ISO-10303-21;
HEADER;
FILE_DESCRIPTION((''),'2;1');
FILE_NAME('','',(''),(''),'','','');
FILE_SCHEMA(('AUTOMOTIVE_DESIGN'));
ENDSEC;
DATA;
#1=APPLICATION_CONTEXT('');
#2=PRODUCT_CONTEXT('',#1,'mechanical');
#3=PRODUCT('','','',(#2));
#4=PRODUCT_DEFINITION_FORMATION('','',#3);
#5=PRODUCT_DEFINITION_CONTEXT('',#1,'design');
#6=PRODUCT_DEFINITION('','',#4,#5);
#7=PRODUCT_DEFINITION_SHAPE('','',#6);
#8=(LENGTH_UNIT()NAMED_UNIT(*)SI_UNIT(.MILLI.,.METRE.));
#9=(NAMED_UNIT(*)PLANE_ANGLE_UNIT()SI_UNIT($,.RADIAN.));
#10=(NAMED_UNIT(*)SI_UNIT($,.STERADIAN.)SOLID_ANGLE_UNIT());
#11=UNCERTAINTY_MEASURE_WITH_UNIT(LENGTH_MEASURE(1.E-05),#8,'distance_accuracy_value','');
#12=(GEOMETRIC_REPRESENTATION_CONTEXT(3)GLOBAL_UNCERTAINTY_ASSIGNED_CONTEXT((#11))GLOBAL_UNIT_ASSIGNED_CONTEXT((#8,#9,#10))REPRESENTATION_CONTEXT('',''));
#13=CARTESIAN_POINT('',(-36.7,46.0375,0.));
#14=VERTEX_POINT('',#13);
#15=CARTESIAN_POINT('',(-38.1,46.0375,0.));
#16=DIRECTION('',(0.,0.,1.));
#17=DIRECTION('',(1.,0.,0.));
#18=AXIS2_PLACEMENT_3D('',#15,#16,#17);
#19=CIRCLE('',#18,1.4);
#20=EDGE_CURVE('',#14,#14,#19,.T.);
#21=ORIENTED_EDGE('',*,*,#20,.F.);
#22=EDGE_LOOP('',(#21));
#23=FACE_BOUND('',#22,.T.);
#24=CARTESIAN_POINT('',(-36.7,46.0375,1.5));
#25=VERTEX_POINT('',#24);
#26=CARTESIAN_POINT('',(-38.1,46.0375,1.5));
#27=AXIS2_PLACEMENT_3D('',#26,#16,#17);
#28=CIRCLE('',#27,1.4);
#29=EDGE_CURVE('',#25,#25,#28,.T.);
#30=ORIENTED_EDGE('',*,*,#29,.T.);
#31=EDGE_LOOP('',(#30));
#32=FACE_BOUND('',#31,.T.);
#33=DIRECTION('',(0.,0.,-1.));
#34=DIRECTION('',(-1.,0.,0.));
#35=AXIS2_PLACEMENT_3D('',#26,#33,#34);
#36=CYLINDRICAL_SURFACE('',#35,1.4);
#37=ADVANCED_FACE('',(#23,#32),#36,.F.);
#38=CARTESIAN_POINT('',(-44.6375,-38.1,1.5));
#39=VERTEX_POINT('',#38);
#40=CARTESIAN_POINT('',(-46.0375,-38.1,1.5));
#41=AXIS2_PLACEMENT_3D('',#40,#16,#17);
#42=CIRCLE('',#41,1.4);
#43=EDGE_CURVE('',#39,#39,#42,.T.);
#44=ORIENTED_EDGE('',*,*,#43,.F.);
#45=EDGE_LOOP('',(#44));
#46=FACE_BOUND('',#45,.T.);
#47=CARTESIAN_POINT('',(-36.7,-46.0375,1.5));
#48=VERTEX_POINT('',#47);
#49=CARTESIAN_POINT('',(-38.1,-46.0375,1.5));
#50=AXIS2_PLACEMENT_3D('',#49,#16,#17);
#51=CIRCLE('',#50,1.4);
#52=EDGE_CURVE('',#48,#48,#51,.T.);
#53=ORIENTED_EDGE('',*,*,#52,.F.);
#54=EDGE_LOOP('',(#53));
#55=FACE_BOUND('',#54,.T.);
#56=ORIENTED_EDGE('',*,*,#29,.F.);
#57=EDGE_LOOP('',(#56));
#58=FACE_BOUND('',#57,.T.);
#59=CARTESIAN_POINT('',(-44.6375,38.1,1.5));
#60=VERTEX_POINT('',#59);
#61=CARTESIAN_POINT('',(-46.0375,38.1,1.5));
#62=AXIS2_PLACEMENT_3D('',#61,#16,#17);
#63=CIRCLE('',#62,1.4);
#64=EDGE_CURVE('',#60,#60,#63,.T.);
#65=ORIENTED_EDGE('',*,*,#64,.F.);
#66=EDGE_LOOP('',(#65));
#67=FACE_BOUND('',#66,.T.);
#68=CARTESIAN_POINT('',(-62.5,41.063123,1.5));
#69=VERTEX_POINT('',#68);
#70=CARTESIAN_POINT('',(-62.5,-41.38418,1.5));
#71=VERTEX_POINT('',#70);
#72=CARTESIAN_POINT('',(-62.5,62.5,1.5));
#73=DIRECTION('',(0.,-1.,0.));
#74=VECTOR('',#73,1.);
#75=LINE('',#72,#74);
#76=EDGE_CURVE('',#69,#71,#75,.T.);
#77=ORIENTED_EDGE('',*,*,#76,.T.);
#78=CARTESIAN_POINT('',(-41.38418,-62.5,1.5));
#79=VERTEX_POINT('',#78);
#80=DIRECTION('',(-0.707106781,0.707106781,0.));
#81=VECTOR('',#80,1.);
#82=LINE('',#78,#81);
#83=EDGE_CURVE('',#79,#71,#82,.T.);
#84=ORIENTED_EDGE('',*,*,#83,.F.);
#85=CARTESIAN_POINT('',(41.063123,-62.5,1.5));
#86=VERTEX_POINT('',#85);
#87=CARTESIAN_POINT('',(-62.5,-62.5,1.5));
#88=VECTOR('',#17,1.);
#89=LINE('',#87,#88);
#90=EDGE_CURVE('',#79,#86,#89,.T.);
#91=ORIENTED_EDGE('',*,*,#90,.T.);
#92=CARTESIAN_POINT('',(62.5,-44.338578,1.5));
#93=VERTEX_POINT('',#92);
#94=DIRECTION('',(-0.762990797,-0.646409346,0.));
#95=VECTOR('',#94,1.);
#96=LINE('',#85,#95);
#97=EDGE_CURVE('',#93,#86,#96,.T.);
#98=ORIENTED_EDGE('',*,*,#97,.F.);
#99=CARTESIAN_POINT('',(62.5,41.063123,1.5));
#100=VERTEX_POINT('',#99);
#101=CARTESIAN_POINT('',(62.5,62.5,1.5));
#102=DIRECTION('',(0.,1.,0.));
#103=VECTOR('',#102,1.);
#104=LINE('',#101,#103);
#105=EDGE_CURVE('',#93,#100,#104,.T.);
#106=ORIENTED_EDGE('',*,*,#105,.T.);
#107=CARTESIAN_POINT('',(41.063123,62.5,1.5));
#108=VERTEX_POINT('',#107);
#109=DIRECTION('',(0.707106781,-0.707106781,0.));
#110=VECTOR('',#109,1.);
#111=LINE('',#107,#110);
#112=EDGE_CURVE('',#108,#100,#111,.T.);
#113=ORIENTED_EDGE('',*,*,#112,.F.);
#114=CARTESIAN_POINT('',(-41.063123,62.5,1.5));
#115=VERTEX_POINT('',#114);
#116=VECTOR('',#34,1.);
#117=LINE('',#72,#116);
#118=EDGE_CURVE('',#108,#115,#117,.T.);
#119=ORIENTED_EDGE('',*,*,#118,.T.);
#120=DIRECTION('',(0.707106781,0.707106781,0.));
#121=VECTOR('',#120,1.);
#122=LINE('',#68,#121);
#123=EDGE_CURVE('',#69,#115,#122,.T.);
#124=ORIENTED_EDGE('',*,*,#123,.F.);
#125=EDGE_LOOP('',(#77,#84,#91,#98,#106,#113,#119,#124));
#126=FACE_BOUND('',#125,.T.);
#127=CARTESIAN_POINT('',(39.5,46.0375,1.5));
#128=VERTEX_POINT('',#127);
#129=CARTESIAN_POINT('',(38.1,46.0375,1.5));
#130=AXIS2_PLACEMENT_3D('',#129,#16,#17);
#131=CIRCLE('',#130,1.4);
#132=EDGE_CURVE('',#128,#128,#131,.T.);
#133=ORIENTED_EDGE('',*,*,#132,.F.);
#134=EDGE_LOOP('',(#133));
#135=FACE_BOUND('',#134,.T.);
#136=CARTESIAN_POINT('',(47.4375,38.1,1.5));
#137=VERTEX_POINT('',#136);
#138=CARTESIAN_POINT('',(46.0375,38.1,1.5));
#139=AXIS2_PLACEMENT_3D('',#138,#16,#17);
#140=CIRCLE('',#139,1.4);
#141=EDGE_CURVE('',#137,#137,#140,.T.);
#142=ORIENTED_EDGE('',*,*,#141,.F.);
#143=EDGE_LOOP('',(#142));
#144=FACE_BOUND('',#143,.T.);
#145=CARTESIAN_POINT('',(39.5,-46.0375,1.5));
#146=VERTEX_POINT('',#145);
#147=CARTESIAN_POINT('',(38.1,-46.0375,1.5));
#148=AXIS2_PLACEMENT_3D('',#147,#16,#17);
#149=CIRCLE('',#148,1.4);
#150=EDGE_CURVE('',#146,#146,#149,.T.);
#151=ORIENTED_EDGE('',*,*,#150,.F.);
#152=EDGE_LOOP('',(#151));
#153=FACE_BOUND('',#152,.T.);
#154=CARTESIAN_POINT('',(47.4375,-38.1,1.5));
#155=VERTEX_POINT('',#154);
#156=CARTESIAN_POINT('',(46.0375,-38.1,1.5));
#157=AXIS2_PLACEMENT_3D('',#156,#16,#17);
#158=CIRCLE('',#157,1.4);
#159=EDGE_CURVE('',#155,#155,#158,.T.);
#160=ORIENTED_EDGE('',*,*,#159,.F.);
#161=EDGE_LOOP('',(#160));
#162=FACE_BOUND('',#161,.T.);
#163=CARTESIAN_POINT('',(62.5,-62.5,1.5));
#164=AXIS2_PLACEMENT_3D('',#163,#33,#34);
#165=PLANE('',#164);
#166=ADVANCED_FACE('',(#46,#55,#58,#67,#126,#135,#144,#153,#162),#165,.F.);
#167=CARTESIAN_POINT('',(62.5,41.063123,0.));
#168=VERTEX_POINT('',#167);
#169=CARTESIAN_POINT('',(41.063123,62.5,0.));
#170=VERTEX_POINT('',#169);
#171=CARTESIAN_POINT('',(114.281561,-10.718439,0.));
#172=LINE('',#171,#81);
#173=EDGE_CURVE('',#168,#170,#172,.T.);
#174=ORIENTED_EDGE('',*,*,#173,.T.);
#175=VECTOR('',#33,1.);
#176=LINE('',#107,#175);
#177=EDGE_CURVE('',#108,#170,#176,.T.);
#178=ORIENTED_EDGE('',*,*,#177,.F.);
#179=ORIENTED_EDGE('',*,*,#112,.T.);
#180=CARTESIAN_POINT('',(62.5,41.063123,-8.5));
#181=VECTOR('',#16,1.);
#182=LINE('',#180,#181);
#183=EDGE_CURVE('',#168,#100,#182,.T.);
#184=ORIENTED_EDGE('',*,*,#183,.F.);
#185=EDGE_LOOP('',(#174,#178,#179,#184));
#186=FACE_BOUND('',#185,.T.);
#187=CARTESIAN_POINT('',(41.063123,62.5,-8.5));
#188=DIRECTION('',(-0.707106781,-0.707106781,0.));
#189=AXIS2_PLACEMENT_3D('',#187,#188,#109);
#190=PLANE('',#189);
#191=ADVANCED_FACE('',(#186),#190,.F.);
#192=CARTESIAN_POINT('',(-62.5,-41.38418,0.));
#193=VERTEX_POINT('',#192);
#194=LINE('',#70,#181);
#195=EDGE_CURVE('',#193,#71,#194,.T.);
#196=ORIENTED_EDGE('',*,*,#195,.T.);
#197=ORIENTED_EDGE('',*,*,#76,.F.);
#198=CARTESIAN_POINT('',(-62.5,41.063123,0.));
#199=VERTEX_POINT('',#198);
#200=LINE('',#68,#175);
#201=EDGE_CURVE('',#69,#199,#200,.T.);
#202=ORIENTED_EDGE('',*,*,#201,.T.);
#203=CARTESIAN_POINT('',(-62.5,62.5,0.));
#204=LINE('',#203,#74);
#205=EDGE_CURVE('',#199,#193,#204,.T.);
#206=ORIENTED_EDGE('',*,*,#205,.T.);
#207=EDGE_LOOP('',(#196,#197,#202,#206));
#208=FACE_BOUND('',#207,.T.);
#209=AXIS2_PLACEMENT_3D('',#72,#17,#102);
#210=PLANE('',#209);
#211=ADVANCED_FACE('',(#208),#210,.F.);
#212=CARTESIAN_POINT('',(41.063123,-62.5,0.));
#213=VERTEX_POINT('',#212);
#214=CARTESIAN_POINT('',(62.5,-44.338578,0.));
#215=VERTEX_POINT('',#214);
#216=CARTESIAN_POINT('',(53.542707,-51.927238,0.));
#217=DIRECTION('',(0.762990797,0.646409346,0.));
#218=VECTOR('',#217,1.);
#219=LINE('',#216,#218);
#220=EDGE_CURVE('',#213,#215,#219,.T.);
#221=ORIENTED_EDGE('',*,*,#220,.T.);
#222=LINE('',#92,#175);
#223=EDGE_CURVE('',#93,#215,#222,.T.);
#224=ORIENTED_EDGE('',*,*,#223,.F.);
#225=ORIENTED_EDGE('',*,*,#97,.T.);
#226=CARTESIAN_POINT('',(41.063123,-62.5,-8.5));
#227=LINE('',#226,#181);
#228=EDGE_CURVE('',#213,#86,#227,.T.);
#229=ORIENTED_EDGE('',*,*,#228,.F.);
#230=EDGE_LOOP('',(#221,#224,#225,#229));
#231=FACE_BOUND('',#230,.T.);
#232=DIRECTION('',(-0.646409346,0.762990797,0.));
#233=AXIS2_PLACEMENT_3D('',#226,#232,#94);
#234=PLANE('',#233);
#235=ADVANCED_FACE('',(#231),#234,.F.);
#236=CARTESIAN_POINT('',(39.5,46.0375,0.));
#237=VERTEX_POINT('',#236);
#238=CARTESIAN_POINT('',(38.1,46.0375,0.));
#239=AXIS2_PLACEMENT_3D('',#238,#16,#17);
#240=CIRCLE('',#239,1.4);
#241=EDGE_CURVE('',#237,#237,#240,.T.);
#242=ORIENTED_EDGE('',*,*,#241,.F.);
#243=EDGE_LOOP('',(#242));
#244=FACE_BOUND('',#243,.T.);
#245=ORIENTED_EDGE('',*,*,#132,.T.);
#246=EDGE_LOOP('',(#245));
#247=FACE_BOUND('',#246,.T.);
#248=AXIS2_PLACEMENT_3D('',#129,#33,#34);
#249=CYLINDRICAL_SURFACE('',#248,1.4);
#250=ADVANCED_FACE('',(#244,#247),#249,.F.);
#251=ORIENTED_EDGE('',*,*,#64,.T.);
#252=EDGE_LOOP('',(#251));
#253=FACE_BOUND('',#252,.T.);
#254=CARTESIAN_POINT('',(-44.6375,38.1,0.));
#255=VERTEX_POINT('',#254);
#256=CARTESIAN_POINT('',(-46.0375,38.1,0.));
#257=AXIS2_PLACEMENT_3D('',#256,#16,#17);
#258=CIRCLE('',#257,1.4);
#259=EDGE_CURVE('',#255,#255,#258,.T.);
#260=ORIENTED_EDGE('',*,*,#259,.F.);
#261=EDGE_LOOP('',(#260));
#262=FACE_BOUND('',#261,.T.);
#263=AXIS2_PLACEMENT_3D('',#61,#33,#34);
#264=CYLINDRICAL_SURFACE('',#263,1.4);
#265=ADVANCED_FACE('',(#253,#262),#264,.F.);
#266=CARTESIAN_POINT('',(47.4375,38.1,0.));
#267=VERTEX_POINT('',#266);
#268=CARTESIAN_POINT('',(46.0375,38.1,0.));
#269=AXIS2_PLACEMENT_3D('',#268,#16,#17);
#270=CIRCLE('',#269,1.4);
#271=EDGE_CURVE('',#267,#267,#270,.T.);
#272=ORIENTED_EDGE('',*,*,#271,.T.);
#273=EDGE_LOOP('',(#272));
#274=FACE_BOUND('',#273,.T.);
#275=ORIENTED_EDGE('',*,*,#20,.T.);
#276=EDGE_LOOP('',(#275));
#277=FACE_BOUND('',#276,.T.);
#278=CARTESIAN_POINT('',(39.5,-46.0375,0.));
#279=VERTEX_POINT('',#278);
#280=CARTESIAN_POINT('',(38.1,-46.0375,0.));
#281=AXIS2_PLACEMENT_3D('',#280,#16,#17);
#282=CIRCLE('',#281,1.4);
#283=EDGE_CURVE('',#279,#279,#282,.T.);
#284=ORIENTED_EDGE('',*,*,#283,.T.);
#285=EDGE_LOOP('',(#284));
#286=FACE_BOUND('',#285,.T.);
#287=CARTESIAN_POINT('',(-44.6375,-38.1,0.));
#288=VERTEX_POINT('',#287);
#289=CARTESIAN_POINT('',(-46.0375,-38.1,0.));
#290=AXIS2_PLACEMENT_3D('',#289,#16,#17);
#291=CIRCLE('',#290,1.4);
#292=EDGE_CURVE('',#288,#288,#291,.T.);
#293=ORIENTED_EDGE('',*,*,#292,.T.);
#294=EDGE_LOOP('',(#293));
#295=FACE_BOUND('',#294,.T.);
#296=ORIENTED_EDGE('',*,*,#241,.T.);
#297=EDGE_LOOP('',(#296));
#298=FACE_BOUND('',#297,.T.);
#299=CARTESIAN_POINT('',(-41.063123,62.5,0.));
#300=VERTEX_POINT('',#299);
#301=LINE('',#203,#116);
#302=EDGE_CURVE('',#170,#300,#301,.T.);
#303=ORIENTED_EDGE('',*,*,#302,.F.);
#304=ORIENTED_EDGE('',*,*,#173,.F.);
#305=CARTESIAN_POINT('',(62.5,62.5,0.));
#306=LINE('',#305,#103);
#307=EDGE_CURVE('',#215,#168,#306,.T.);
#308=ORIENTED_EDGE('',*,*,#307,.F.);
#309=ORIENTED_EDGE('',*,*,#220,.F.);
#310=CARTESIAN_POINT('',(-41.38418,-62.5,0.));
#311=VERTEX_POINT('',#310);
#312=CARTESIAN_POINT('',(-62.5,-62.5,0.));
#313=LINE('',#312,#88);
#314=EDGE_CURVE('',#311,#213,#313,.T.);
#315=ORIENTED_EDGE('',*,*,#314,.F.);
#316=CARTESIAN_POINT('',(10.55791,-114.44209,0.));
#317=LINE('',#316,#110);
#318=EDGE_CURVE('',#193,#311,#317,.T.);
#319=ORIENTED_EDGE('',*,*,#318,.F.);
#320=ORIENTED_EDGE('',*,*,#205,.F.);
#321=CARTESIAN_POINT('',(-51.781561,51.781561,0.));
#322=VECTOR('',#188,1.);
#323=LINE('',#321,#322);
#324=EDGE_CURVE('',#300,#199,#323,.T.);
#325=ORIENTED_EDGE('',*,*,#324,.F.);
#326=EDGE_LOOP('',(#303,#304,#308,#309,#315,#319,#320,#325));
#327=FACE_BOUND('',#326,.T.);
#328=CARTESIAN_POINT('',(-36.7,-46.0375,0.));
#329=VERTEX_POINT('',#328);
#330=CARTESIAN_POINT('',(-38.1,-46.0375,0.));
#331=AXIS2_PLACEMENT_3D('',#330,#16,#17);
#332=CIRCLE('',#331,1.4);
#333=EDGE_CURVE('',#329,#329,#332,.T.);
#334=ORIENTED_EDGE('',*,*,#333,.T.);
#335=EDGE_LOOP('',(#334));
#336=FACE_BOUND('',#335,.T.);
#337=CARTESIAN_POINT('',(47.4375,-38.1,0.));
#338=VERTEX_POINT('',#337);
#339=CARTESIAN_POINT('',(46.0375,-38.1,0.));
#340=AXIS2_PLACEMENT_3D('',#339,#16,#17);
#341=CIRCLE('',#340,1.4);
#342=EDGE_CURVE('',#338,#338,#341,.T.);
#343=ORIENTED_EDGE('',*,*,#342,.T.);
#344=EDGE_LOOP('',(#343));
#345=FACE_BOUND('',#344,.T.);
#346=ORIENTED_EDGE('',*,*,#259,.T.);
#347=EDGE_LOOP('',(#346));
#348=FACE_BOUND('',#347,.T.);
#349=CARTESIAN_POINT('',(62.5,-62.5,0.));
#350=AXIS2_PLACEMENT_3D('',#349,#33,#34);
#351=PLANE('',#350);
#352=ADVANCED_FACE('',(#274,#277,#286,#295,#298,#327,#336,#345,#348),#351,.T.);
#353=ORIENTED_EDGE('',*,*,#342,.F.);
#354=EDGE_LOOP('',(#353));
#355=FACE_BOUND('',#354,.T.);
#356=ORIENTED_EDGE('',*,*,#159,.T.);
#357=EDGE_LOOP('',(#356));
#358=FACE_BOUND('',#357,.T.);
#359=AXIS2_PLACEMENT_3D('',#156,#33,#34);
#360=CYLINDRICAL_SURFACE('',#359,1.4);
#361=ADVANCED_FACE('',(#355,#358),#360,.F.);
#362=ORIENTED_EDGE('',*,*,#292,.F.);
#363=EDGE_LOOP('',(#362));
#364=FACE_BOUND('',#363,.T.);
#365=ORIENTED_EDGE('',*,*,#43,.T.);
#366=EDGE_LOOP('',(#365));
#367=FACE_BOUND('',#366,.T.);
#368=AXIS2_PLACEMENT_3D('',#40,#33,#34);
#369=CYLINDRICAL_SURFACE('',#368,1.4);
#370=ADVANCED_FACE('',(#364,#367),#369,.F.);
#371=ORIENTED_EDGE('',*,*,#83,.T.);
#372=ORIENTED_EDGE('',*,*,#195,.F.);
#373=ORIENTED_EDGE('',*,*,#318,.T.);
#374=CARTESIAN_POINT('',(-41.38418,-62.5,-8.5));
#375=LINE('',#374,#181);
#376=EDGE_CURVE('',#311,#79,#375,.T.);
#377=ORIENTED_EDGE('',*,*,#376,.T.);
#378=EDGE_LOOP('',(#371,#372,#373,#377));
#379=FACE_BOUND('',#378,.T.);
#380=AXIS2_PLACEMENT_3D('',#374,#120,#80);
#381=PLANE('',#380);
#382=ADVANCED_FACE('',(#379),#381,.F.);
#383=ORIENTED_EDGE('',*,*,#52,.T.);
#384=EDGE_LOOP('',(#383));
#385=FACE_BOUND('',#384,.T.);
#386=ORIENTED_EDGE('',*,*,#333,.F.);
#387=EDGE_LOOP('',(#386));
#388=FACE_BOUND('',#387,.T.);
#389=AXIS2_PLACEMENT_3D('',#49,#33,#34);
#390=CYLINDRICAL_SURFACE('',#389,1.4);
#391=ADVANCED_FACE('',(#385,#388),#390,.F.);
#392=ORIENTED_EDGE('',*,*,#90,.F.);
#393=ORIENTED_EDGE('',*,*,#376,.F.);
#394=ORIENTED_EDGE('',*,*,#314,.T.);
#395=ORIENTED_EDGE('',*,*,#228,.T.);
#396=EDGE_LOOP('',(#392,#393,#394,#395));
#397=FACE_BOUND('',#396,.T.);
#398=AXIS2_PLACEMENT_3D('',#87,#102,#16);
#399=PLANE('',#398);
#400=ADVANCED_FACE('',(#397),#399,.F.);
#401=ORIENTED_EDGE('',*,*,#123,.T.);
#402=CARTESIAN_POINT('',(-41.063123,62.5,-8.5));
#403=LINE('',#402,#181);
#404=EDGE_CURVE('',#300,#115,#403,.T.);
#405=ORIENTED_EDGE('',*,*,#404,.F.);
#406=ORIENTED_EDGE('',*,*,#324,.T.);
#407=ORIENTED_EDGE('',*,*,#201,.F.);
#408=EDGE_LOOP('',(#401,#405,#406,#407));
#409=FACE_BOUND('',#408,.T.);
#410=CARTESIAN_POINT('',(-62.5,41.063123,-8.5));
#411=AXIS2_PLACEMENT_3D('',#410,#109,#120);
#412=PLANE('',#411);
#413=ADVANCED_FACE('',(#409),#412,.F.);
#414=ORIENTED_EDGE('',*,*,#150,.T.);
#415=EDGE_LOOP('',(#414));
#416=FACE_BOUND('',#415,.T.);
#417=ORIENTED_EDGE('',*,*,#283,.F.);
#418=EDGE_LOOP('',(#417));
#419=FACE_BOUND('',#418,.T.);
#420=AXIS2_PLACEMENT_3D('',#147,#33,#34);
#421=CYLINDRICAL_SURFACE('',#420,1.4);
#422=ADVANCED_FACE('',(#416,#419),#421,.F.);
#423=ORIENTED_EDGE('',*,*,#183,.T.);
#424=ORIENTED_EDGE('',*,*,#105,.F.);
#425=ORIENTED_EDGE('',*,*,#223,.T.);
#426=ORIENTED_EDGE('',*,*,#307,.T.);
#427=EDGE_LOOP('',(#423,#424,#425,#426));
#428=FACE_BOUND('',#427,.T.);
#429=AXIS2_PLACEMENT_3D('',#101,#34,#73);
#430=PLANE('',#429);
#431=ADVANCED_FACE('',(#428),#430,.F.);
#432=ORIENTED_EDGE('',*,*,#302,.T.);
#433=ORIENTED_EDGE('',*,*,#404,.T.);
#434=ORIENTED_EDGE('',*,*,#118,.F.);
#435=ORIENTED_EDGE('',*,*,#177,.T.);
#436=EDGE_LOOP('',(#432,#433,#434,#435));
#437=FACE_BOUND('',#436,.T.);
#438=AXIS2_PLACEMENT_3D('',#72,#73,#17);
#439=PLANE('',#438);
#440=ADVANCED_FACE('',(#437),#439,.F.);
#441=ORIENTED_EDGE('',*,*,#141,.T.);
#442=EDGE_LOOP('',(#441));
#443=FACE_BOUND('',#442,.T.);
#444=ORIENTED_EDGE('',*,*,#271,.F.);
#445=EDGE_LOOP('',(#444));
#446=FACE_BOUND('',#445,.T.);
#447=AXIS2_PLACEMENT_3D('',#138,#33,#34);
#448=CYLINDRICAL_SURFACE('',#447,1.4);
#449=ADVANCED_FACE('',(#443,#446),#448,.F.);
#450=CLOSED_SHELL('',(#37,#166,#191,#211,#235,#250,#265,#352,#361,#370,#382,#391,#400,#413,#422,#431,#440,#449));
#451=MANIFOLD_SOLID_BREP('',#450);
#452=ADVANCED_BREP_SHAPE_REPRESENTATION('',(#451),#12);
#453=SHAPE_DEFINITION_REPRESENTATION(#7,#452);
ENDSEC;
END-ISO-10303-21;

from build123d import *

# Parameters (mm, degrees)
SKETCH1_W      = 125
SKETCH1_H      = 125
SKETCH1_R      = 1.4
EXTRUDE1_DEPTH = 1.5
EXTRUDE2_DEPTH = 10


with BuildPart() as part:
    # Sketch1 → Extrude1 (new body)
    with BuildSketch(Plane.XY):
        Rectangle(SKETCH1_W, SKETCH1_H)
        with Locations((46.0375, 38.1)):
            Circle(SKETCH1_R, mode=Mode.SUBTRACT)
        with Locations((38.1, 46.0375)):
            Circle(SKETCH1_R, mode=Mode.SUBTRACT)
        with Locations((-38.1, 46.0375)):
            Circle(SKETCH1_R, mode=Mode.SUBTRACT)
        with Locations((-46.0375, 38.1)):
            Circle(SKETCH1_R, mode=Mode.SUBTRACT)
        with Locations((-46.0375, -38.1)):
            Circle(SKETCH1_R, mode=Mode.SUBTRACT)
        with Locations((-38.1, -46.0375)):
            Circle(SKETCH1_R, mode=Mode.SUBTRACT)
        with Locations((38.1, -46.0375)):
            Circle(SKETCH1_R, mode=Mode.SUBTRACT)
        with Locations((46.0375, -38.1)):
            Circle(SKETCH1_R, mode=Mode.SUBTRACT)
    extrude(amount=EXTRUDE1_DEPTH)

    # Sketch2 → Extrude2 (cut)
    with BuildSketch(Plane.XY.offset(1.5)):
        Polygon((41.063122539, -62.5), (62.5, -44.338577872), (62.5, -62.5), align=None)
        Polygon((41.063122539, 62.5), (62.5, 41.063122539), (62.5, 62.5), align=None)
        Polygon((-41.384179801, -62.5), (-62.5, -41.384179801), (-62.5, -62.5), align=None)
        Polygon((-62.5, 41.063122539), (-41.063122539, 62.5), (-62.5, 62.5), align=None)
    extrude(amount=-EXTRUDE2_DEPTH, mode=Mode.SUBTRACT)


solid = part.part
